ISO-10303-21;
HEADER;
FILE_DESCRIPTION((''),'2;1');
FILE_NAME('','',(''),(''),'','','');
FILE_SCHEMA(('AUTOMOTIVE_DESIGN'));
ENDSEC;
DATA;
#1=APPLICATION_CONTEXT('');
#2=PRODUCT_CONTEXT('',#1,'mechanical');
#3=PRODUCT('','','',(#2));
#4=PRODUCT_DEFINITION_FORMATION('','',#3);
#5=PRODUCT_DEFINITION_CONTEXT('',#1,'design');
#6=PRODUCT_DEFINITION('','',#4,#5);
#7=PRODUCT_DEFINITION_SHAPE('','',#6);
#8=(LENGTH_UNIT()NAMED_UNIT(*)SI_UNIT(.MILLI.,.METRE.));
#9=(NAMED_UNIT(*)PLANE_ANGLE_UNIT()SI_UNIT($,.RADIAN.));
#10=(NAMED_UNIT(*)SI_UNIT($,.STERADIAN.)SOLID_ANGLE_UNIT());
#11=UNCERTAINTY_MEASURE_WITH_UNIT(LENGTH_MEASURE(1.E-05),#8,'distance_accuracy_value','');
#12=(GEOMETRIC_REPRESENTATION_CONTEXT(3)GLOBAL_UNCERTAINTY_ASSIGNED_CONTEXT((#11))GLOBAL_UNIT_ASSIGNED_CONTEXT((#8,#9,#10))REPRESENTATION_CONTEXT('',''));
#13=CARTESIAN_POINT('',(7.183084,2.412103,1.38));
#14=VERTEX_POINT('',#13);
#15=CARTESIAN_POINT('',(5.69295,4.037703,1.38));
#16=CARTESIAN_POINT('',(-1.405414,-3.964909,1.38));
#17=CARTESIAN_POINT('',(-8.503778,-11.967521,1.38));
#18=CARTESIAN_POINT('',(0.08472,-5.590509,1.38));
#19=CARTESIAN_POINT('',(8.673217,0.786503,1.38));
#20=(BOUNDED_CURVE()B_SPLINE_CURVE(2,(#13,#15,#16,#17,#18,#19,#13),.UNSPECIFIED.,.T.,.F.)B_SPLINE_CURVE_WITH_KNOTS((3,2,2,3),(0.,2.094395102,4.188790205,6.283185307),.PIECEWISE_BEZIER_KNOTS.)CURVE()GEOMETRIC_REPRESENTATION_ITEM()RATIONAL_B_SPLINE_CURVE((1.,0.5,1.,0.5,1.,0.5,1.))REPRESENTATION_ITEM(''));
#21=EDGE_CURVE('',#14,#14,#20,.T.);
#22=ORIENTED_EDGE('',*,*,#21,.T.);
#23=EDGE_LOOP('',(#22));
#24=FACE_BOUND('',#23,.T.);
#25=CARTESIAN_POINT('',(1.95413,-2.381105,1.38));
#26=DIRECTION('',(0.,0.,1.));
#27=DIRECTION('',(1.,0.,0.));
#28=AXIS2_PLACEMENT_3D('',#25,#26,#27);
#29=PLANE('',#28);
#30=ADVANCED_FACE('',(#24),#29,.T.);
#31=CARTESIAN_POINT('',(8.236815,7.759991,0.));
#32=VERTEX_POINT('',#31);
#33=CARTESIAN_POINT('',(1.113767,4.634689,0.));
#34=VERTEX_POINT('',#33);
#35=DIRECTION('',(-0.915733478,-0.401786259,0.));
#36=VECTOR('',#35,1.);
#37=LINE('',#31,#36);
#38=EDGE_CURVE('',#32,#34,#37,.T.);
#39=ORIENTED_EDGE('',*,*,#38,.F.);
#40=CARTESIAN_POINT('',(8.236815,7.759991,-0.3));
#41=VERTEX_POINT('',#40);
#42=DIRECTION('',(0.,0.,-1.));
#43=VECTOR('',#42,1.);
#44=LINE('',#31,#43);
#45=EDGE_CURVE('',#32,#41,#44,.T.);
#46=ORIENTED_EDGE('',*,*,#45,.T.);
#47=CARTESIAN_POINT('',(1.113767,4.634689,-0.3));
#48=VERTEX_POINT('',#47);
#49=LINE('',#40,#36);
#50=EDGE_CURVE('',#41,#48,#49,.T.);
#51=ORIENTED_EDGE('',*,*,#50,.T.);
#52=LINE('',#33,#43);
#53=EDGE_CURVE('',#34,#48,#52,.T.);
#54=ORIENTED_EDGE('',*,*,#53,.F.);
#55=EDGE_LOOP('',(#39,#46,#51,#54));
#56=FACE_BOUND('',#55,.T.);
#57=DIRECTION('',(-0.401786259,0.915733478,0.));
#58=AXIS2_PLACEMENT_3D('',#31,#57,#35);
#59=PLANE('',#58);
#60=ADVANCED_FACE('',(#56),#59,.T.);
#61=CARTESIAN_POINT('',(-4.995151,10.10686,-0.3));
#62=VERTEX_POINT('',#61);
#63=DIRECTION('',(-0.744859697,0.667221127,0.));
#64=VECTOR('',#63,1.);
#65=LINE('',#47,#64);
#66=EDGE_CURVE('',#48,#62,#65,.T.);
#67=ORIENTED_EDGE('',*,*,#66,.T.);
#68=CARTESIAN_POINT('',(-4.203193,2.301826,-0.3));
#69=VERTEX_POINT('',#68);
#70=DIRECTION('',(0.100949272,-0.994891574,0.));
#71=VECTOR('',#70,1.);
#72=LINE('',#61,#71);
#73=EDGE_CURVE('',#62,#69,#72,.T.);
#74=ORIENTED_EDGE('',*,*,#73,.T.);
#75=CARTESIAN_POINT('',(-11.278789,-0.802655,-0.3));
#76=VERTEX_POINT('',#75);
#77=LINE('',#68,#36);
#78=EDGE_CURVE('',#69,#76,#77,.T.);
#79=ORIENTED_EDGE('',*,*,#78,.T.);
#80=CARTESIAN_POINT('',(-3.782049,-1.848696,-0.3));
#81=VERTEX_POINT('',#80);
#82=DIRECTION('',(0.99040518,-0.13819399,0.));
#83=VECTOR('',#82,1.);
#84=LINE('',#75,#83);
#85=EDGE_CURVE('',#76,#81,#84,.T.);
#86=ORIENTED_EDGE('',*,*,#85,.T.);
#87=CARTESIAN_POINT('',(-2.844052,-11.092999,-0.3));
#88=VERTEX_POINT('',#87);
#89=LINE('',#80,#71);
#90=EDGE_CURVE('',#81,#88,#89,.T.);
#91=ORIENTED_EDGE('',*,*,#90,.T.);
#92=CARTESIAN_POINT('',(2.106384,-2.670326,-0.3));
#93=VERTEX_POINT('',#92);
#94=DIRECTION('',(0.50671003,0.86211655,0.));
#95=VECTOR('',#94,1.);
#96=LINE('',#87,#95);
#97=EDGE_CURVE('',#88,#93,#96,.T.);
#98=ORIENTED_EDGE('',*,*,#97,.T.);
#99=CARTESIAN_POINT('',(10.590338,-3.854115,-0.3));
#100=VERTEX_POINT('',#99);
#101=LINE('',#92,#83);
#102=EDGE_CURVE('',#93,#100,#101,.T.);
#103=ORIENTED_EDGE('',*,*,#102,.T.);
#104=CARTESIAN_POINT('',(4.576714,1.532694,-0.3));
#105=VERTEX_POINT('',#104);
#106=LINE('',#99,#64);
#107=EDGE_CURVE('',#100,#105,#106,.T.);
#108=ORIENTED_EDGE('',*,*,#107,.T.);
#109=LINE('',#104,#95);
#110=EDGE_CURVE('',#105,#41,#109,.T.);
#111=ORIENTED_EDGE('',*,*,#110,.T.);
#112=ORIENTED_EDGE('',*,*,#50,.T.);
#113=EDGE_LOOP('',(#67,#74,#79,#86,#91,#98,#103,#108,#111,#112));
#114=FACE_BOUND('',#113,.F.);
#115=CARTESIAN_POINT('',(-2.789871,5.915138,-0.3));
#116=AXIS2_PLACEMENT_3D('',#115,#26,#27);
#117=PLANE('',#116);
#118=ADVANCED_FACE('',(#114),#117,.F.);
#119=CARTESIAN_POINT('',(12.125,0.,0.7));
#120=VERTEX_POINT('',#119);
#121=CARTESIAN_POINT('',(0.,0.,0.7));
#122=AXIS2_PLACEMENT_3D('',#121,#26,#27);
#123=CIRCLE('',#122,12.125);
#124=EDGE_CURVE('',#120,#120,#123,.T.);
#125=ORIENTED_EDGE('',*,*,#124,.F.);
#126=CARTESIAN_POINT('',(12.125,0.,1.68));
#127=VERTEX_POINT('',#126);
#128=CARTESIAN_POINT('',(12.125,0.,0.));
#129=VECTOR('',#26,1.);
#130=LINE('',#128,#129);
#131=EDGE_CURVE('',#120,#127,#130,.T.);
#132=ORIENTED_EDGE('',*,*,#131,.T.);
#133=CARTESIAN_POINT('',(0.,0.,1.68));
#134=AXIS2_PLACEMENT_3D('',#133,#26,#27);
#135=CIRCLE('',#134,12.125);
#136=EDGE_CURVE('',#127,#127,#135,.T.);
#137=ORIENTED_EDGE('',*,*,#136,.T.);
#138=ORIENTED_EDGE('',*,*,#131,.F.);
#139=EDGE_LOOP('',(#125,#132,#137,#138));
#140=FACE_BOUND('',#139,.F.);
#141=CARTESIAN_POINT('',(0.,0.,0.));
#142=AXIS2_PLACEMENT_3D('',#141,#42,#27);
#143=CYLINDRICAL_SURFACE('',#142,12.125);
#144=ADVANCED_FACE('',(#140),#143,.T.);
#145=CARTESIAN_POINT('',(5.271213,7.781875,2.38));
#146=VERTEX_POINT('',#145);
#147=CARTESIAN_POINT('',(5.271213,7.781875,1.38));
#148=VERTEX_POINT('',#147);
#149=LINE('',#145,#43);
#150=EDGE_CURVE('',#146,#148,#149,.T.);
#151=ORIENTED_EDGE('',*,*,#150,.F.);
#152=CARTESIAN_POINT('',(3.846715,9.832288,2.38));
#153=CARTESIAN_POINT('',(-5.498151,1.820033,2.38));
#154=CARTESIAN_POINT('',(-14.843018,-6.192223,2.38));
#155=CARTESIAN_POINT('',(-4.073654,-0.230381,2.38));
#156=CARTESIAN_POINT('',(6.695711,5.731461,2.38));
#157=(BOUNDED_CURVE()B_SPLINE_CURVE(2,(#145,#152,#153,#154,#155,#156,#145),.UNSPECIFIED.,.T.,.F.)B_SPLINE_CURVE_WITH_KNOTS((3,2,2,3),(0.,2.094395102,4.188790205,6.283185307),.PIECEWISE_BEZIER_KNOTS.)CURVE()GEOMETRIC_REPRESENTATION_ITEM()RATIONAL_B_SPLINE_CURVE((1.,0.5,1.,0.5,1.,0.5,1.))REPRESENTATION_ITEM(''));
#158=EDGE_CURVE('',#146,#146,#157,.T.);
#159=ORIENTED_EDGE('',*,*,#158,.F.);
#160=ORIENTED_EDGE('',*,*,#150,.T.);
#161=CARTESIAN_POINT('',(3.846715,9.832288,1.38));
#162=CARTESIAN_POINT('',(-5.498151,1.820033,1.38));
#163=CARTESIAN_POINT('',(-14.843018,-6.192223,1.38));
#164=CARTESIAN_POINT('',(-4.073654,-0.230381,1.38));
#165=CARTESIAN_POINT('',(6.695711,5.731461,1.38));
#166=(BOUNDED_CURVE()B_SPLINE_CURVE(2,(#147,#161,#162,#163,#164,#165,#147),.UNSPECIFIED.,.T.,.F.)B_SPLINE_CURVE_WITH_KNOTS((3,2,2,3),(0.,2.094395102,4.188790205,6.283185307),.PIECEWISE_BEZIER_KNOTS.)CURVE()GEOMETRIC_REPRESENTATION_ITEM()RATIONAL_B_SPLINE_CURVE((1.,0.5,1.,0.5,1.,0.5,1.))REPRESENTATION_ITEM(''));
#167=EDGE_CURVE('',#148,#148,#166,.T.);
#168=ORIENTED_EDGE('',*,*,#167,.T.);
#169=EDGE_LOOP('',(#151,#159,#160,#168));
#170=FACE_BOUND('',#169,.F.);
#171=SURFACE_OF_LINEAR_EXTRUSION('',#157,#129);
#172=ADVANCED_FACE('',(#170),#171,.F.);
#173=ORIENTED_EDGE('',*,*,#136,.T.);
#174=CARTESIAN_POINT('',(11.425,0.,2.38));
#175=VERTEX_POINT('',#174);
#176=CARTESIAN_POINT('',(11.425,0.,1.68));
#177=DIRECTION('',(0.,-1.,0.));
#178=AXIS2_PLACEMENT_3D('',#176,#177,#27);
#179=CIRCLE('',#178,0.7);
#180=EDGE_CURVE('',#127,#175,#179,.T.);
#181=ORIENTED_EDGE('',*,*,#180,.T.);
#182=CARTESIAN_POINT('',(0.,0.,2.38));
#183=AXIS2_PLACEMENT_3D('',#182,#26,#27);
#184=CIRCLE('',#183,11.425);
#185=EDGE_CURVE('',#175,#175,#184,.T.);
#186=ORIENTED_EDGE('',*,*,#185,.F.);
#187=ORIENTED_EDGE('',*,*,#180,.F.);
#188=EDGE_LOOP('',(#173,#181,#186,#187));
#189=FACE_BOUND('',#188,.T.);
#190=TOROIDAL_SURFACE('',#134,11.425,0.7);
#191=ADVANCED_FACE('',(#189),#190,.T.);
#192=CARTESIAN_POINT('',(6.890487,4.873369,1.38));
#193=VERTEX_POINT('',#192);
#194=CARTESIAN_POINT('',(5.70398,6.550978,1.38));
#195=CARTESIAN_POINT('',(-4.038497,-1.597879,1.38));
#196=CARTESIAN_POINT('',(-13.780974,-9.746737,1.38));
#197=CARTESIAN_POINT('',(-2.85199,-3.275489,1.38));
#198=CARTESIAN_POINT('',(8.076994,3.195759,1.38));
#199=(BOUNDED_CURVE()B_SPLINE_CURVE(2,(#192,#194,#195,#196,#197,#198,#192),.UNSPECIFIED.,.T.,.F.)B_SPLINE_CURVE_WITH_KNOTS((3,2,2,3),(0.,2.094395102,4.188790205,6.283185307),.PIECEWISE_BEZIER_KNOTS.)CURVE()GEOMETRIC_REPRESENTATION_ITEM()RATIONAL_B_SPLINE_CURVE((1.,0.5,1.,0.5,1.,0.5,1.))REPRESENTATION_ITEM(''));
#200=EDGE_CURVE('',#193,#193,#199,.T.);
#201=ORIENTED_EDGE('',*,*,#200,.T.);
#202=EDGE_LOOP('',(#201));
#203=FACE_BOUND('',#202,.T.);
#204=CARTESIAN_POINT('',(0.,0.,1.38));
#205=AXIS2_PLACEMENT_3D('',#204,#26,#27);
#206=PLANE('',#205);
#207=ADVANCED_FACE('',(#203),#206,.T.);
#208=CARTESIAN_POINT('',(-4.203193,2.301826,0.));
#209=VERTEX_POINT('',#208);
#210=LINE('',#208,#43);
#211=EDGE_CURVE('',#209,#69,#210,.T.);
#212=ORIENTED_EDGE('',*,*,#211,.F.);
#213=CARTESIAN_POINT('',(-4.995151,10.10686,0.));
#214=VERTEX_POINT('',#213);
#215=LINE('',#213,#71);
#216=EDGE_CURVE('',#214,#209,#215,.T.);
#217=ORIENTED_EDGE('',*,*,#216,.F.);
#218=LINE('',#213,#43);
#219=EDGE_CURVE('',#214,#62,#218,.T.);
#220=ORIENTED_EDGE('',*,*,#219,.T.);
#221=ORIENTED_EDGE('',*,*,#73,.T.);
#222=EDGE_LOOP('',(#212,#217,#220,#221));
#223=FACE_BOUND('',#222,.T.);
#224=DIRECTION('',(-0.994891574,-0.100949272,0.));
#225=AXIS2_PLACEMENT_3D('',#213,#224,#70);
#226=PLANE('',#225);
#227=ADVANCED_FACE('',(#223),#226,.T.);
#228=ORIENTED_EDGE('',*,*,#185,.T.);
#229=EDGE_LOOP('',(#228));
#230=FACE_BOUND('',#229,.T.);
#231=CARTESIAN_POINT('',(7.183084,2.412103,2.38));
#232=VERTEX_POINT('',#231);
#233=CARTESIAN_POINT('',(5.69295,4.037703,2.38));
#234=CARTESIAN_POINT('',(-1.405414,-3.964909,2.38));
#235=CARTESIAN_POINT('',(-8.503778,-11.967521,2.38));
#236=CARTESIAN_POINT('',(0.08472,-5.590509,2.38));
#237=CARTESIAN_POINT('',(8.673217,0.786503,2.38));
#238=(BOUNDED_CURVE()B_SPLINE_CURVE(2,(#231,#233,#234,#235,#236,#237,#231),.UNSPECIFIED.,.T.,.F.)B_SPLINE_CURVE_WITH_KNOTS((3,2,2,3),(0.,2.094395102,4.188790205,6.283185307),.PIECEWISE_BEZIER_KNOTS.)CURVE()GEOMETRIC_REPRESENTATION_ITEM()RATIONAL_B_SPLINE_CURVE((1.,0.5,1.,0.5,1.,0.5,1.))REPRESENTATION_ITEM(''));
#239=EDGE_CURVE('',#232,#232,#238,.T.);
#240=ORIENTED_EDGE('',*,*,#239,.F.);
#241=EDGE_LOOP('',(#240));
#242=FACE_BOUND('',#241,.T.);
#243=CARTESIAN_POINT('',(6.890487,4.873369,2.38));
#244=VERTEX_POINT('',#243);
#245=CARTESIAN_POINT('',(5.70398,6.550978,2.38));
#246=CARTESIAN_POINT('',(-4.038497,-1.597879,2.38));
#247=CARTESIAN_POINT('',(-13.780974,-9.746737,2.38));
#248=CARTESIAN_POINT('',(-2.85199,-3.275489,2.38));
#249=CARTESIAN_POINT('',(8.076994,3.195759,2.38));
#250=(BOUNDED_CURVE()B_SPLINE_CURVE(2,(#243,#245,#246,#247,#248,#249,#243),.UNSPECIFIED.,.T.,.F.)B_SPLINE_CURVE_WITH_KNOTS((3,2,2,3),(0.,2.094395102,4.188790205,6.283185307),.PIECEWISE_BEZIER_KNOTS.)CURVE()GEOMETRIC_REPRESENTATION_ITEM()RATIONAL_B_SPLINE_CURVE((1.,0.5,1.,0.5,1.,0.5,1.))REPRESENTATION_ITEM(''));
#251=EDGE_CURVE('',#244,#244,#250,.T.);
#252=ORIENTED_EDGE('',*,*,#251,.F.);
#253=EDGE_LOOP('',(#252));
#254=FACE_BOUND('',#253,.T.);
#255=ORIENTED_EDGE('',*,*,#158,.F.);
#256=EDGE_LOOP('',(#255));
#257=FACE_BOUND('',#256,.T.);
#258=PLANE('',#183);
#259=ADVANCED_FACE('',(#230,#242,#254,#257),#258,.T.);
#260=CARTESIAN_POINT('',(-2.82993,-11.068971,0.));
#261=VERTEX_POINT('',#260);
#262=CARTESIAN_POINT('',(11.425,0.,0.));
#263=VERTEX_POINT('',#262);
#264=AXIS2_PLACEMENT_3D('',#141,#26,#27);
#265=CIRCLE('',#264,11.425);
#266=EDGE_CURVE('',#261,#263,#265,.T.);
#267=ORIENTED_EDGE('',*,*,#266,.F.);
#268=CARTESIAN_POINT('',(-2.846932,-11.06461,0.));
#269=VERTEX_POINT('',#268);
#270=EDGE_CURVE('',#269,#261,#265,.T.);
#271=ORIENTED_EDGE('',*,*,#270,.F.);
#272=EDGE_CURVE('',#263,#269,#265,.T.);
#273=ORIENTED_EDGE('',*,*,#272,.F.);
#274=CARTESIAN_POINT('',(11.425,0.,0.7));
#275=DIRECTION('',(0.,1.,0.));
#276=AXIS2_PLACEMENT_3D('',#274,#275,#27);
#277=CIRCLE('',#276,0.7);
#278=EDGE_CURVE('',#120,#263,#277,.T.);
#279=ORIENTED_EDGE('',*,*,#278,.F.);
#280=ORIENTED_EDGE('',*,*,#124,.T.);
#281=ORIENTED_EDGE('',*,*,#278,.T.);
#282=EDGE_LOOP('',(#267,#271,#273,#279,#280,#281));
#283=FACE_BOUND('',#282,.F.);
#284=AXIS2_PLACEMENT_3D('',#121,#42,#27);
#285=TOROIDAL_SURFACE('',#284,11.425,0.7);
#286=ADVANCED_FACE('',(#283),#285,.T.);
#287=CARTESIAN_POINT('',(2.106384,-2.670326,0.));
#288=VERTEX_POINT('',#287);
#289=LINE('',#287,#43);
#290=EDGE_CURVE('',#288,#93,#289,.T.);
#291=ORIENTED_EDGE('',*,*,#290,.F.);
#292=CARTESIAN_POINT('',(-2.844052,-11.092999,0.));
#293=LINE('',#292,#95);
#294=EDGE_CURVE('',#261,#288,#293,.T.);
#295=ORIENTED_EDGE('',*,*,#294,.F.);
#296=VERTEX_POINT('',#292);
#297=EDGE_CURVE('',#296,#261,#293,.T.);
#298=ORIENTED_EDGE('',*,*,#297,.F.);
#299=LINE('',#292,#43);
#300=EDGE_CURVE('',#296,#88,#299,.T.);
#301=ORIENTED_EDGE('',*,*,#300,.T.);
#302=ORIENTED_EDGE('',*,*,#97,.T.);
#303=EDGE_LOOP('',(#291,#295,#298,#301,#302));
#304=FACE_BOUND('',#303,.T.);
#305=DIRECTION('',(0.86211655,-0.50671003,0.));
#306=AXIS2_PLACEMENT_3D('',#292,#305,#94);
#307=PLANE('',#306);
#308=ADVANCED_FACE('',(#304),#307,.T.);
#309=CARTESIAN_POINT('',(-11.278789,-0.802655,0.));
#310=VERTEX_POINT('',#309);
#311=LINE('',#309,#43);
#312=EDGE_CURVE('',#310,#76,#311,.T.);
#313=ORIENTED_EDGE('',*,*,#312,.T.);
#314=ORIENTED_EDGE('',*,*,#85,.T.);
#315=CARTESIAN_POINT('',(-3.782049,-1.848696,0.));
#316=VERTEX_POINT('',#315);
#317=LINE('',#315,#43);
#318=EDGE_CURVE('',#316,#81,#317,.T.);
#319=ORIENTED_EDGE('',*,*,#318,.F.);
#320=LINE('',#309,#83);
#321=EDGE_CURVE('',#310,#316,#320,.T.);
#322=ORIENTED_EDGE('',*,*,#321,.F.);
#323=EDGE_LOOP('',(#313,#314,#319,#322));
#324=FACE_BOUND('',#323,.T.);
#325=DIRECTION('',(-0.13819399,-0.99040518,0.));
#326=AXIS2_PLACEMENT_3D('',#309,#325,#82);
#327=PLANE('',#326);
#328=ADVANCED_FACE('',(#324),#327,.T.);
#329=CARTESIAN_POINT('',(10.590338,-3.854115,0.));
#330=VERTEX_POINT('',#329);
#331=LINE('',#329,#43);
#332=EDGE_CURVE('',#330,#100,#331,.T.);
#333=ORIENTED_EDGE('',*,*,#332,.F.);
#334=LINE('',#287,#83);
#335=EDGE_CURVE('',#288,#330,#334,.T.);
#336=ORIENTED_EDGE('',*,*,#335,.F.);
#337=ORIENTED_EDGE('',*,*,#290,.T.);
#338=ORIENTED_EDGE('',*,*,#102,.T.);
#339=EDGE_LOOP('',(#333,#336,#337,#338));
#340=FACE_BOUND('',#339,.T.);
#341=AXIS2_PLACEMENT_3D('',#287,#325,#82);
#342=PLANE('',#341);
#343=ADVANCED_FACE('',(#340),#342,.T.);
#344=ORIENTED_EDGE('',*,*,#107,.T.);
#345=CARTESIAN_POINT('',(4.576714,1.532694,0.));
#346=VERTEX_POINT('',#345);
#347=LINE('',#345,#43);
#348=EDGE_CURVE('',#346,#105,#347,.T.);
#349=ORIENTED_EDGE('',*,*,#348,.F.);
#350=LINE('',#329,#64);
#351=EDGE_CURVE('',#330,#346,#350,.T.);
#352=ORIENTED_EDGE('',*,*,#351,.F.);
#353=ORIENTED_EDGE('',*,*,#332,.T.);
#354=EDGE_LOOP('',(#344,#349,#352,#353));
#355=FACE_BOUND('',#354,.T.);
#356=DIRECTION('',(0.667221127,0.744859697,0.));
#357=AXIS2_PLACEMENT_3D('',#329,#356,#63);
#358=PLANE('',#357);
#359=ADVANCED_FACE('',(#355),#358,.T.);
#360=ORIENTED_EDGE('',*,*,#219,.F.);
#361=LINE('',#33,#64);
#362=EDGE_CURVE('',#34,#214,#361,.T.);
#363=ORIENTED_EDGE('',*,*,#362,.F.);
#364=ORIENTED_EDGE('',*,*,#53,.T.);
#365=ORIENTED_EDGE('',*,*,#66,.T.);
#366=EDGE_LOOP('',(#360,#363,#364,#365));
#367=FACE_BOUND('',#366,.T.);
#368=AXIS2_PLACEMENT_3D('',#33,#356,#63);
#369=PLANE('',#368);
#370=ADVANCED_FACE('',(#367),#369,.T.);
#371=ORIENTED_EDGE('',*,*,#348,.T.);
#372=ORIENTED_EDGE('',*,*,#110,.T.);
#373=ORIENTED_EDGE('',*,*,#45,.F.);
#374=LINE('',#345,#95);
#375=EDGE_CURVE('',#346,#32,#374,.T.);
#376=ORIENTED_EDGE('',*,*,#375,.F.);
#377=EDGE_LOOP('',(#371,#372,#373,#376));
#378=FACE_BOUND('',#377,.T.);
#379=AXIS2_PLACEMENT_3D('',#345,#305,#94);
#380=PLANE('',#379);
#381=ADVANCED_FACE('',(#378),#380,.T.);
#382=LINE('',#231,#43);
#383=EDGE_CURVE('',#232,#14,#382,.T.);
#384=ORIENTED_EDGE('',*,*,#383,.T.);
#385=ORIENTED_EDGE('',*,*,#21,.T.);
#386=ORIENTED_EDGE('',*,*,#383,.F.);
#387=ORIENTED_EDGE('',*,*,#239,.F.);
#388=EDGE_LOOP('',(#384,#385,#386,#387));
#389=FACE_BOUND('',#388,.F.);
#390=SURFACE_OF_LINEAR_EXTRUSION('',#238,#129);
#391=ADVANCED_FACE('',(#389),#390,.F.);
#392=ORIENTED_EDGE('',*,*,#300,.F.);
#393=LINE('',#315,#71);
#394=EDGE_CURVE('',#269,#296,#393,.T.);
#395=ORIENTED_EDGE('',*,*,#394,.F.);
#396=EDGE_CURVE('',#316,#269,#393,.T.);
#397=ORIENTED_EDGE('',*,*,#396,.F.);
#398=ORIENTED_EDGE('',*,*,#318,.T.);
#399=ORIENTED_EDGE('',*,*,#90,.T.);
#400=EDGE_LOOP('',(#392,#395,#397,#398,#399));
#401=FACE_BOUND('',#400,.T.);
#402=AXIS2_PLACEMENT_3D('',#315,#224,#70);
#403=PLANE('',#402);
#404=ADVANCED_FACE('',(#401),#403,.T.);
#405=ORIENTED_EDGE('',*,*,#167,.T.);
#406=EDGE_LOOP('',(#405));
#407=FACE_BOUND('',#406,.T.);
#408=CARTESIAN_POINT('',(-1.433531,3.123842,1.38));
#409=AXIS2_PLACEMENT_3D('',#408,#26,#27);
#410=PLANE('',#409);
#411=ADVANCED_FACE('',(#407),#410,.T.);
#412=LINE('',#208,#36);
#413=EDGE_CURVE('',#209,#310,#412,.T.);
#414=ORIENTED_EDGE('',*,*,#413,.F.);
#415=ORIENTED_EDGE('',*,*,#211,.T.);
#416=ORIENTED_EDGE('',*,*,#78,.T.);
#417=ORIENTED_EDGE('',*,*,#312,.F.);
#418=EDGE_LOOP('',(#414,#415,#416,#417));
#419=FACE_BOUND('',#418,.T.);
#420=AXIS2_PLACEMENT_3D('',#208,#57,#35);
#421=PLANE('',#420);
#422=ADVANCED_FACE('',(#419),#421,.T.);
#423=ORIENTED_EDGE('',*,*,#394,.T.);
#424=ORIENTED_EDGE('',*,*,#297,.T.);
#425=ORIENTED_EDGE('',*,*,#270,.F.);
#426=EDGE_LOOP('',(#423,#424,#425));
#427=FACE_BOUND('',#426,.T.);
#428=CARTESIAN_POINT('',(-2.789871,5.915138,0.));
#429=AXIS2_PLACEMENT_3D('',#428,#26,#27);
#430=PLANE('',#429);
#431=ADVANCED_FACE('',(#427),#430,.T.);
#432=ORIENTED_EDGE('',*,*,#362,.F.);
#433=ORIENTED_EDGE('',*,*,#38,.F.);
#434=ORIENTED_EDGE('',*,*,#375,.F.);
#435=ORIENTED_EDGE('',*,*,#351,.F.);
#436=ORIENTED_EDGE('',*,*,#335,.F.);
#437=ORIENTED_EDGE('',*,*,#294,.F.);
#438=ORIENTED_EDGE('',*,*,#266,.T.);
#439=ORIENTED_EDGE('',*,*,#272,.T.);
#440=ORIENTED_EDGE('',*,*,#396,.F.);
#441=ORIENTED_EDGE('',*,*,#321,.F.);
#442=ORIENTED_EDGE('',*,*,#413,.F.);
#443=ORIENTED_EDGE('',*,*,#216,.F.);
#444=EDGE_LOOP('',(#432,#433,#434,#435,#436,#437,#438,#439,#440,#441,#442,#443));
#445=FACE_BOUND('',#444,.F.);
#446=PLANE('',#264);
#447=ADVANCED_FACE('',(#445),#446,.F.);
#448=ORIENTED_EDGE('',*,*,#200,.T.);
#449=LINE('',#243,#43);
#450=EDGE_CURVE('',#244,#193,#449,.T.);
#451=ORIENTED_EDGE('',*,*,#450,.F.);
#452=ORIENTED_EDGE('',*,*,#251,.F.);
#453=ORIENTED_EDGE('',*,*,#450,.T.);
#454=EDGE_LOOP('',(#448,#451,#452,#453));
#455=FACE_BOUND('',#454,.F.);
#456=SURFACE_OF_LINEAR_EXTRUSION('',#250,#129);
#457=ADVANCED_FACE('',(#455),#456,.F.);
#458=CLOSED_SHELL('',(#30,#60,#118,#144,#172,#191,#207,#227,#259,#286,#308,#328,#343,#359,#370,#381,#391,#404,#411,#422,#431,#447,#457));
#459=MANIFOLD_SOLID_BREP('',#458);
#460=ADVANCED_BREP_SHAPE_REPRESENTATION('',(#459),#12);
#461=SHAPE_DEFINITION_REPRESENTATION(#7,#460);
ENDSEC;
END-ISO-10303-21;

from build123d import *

# Parameters (mm, degrees)
F0_R     = 12.125
F1_DEPTH = 2.38
F2_R     = 0.7
F4_DEPTH = 1
F6_DEPTH = 0.3


with BuildPart() as f1:
    # F0 (on Top) → F1 (new body)
    with BuildSketch(Plane.XY):
        Circle(F0_R)
    extrude(amount=F1_DEPTH)

    # F2
    f2_edges = [f1.edges().sort_by_distance(p)[0] for p in [
        (-12.125, 0, 2.38),
        (-12.125, 0, 0),
    ]]
    fillet(f2_edges, radius=F2_R)

    # F3 (on face) → F4 (cut)
    with BuildSketch(Plane.XY.offset(2.38)):
        with BuildLine():
            add(Edge.make_bspline(
                [(5.2712131292, 7.7818746213), (3.8467154222, 9.8322880392), (-5.498151477, 1.820032668), (-14.8430183763, -6.1922227032), (-4.0736537701, -0.2303807499), (6.6957108361, 5.7314612034), (5.2712131292, 7.7818746213)],
                knots=[0, 0, 0, 2.0943951024, 2.0943951024, 4.1887902048, 4.1887902048, 6.2831853072, 6.2831853072, 6.2831853072], degree=2, weights=[1, 0.5, 1, 0.5, 1, 0.5, 1]))
        make_face()
        with BuildLine():
            add(Edge.make_bspline(
                [(6.8904868818, 4.87336865), (5.7039798615, 6.5509784607), (-4.038496951, -1.5978794196), (-13.7809737636, -9.7467372999), (-2.8519899308, -3.2754892303), (8.0769939021, 3.1957588393), (6.8904868818, 4.87336865)],
                knots=[0, 0, 0, 2.0943951024, 2.0943951024, 4.1887902048, 4.1887902048, 6.2831853072, 6.2831853072, 6.2831853072], degree=2, weights=[1, 0.5, 1, 0.5, 1, 0.5, 1]))
        make_face()
        with BuildLine():
            add(Edge.make_bspline(
                [(7.1830839306, 2.4121028949), (5.6929504977, 4.0377029223), (-1.4054138362, -3.9649092469), (-8.5037781701, -11.9675214162), (0.0847195967, -5.5905092743), (8.6732173636, 0.7865028676), (7.1830839306, 2.4121028949)],
                knots=[0, 0, 0, 2.0943951024, 2.0943951024, 4.1887902048, 4.1887902048, 6.2831853072, 6.2831853072, 6.2831853072], degree=2, weights=[1, 0.5, 1, 0.5, 1, 0.5, 1]))
        make_face()
    extrude(amount=-F4_DEPTH, mode=Mode.SUBTRACT)

    # F5 (on Top) → F6 (join)
    with BuildSketch(Plane.XY):
        Polygon((-4.9951509573, 10.1068597287), (-4.203192804, 2.3018257812), (1.1137669508, 4.6346894586), align=None)
        Polygon((1.1137669508, 4.6346894586), (4.5767141132, 1.5326938526), (8.2368152216, 7.7599906363), align=None)
        Polygon((-4.203192804, 2.3018257812), (-3.7820492652, -1.848696067), (2.1063844203, -2.6703255983), (4.5767141132, 1.5326938526), (1.1137669508, 4.6346894586), align=None)
        Polygon((-11.2787885591, -0.8026551805), (-3.7820492652, -1.848696067), (-4.203192804, 2.3018257812), align=None)
        Polygon((4.5767141132, 1.5326938526), (2.1063844203, -2.6703255983), (10.5903381482, -3.8541152608), align=None)
        Polygon((-3.7820492652, -1.848696067), (-2.8440519236, -11.0929990187), (2.1063844203, -2.6703255983), align=None)
    extrude(amount=-F6_DEPTH)


solid = f1.part
